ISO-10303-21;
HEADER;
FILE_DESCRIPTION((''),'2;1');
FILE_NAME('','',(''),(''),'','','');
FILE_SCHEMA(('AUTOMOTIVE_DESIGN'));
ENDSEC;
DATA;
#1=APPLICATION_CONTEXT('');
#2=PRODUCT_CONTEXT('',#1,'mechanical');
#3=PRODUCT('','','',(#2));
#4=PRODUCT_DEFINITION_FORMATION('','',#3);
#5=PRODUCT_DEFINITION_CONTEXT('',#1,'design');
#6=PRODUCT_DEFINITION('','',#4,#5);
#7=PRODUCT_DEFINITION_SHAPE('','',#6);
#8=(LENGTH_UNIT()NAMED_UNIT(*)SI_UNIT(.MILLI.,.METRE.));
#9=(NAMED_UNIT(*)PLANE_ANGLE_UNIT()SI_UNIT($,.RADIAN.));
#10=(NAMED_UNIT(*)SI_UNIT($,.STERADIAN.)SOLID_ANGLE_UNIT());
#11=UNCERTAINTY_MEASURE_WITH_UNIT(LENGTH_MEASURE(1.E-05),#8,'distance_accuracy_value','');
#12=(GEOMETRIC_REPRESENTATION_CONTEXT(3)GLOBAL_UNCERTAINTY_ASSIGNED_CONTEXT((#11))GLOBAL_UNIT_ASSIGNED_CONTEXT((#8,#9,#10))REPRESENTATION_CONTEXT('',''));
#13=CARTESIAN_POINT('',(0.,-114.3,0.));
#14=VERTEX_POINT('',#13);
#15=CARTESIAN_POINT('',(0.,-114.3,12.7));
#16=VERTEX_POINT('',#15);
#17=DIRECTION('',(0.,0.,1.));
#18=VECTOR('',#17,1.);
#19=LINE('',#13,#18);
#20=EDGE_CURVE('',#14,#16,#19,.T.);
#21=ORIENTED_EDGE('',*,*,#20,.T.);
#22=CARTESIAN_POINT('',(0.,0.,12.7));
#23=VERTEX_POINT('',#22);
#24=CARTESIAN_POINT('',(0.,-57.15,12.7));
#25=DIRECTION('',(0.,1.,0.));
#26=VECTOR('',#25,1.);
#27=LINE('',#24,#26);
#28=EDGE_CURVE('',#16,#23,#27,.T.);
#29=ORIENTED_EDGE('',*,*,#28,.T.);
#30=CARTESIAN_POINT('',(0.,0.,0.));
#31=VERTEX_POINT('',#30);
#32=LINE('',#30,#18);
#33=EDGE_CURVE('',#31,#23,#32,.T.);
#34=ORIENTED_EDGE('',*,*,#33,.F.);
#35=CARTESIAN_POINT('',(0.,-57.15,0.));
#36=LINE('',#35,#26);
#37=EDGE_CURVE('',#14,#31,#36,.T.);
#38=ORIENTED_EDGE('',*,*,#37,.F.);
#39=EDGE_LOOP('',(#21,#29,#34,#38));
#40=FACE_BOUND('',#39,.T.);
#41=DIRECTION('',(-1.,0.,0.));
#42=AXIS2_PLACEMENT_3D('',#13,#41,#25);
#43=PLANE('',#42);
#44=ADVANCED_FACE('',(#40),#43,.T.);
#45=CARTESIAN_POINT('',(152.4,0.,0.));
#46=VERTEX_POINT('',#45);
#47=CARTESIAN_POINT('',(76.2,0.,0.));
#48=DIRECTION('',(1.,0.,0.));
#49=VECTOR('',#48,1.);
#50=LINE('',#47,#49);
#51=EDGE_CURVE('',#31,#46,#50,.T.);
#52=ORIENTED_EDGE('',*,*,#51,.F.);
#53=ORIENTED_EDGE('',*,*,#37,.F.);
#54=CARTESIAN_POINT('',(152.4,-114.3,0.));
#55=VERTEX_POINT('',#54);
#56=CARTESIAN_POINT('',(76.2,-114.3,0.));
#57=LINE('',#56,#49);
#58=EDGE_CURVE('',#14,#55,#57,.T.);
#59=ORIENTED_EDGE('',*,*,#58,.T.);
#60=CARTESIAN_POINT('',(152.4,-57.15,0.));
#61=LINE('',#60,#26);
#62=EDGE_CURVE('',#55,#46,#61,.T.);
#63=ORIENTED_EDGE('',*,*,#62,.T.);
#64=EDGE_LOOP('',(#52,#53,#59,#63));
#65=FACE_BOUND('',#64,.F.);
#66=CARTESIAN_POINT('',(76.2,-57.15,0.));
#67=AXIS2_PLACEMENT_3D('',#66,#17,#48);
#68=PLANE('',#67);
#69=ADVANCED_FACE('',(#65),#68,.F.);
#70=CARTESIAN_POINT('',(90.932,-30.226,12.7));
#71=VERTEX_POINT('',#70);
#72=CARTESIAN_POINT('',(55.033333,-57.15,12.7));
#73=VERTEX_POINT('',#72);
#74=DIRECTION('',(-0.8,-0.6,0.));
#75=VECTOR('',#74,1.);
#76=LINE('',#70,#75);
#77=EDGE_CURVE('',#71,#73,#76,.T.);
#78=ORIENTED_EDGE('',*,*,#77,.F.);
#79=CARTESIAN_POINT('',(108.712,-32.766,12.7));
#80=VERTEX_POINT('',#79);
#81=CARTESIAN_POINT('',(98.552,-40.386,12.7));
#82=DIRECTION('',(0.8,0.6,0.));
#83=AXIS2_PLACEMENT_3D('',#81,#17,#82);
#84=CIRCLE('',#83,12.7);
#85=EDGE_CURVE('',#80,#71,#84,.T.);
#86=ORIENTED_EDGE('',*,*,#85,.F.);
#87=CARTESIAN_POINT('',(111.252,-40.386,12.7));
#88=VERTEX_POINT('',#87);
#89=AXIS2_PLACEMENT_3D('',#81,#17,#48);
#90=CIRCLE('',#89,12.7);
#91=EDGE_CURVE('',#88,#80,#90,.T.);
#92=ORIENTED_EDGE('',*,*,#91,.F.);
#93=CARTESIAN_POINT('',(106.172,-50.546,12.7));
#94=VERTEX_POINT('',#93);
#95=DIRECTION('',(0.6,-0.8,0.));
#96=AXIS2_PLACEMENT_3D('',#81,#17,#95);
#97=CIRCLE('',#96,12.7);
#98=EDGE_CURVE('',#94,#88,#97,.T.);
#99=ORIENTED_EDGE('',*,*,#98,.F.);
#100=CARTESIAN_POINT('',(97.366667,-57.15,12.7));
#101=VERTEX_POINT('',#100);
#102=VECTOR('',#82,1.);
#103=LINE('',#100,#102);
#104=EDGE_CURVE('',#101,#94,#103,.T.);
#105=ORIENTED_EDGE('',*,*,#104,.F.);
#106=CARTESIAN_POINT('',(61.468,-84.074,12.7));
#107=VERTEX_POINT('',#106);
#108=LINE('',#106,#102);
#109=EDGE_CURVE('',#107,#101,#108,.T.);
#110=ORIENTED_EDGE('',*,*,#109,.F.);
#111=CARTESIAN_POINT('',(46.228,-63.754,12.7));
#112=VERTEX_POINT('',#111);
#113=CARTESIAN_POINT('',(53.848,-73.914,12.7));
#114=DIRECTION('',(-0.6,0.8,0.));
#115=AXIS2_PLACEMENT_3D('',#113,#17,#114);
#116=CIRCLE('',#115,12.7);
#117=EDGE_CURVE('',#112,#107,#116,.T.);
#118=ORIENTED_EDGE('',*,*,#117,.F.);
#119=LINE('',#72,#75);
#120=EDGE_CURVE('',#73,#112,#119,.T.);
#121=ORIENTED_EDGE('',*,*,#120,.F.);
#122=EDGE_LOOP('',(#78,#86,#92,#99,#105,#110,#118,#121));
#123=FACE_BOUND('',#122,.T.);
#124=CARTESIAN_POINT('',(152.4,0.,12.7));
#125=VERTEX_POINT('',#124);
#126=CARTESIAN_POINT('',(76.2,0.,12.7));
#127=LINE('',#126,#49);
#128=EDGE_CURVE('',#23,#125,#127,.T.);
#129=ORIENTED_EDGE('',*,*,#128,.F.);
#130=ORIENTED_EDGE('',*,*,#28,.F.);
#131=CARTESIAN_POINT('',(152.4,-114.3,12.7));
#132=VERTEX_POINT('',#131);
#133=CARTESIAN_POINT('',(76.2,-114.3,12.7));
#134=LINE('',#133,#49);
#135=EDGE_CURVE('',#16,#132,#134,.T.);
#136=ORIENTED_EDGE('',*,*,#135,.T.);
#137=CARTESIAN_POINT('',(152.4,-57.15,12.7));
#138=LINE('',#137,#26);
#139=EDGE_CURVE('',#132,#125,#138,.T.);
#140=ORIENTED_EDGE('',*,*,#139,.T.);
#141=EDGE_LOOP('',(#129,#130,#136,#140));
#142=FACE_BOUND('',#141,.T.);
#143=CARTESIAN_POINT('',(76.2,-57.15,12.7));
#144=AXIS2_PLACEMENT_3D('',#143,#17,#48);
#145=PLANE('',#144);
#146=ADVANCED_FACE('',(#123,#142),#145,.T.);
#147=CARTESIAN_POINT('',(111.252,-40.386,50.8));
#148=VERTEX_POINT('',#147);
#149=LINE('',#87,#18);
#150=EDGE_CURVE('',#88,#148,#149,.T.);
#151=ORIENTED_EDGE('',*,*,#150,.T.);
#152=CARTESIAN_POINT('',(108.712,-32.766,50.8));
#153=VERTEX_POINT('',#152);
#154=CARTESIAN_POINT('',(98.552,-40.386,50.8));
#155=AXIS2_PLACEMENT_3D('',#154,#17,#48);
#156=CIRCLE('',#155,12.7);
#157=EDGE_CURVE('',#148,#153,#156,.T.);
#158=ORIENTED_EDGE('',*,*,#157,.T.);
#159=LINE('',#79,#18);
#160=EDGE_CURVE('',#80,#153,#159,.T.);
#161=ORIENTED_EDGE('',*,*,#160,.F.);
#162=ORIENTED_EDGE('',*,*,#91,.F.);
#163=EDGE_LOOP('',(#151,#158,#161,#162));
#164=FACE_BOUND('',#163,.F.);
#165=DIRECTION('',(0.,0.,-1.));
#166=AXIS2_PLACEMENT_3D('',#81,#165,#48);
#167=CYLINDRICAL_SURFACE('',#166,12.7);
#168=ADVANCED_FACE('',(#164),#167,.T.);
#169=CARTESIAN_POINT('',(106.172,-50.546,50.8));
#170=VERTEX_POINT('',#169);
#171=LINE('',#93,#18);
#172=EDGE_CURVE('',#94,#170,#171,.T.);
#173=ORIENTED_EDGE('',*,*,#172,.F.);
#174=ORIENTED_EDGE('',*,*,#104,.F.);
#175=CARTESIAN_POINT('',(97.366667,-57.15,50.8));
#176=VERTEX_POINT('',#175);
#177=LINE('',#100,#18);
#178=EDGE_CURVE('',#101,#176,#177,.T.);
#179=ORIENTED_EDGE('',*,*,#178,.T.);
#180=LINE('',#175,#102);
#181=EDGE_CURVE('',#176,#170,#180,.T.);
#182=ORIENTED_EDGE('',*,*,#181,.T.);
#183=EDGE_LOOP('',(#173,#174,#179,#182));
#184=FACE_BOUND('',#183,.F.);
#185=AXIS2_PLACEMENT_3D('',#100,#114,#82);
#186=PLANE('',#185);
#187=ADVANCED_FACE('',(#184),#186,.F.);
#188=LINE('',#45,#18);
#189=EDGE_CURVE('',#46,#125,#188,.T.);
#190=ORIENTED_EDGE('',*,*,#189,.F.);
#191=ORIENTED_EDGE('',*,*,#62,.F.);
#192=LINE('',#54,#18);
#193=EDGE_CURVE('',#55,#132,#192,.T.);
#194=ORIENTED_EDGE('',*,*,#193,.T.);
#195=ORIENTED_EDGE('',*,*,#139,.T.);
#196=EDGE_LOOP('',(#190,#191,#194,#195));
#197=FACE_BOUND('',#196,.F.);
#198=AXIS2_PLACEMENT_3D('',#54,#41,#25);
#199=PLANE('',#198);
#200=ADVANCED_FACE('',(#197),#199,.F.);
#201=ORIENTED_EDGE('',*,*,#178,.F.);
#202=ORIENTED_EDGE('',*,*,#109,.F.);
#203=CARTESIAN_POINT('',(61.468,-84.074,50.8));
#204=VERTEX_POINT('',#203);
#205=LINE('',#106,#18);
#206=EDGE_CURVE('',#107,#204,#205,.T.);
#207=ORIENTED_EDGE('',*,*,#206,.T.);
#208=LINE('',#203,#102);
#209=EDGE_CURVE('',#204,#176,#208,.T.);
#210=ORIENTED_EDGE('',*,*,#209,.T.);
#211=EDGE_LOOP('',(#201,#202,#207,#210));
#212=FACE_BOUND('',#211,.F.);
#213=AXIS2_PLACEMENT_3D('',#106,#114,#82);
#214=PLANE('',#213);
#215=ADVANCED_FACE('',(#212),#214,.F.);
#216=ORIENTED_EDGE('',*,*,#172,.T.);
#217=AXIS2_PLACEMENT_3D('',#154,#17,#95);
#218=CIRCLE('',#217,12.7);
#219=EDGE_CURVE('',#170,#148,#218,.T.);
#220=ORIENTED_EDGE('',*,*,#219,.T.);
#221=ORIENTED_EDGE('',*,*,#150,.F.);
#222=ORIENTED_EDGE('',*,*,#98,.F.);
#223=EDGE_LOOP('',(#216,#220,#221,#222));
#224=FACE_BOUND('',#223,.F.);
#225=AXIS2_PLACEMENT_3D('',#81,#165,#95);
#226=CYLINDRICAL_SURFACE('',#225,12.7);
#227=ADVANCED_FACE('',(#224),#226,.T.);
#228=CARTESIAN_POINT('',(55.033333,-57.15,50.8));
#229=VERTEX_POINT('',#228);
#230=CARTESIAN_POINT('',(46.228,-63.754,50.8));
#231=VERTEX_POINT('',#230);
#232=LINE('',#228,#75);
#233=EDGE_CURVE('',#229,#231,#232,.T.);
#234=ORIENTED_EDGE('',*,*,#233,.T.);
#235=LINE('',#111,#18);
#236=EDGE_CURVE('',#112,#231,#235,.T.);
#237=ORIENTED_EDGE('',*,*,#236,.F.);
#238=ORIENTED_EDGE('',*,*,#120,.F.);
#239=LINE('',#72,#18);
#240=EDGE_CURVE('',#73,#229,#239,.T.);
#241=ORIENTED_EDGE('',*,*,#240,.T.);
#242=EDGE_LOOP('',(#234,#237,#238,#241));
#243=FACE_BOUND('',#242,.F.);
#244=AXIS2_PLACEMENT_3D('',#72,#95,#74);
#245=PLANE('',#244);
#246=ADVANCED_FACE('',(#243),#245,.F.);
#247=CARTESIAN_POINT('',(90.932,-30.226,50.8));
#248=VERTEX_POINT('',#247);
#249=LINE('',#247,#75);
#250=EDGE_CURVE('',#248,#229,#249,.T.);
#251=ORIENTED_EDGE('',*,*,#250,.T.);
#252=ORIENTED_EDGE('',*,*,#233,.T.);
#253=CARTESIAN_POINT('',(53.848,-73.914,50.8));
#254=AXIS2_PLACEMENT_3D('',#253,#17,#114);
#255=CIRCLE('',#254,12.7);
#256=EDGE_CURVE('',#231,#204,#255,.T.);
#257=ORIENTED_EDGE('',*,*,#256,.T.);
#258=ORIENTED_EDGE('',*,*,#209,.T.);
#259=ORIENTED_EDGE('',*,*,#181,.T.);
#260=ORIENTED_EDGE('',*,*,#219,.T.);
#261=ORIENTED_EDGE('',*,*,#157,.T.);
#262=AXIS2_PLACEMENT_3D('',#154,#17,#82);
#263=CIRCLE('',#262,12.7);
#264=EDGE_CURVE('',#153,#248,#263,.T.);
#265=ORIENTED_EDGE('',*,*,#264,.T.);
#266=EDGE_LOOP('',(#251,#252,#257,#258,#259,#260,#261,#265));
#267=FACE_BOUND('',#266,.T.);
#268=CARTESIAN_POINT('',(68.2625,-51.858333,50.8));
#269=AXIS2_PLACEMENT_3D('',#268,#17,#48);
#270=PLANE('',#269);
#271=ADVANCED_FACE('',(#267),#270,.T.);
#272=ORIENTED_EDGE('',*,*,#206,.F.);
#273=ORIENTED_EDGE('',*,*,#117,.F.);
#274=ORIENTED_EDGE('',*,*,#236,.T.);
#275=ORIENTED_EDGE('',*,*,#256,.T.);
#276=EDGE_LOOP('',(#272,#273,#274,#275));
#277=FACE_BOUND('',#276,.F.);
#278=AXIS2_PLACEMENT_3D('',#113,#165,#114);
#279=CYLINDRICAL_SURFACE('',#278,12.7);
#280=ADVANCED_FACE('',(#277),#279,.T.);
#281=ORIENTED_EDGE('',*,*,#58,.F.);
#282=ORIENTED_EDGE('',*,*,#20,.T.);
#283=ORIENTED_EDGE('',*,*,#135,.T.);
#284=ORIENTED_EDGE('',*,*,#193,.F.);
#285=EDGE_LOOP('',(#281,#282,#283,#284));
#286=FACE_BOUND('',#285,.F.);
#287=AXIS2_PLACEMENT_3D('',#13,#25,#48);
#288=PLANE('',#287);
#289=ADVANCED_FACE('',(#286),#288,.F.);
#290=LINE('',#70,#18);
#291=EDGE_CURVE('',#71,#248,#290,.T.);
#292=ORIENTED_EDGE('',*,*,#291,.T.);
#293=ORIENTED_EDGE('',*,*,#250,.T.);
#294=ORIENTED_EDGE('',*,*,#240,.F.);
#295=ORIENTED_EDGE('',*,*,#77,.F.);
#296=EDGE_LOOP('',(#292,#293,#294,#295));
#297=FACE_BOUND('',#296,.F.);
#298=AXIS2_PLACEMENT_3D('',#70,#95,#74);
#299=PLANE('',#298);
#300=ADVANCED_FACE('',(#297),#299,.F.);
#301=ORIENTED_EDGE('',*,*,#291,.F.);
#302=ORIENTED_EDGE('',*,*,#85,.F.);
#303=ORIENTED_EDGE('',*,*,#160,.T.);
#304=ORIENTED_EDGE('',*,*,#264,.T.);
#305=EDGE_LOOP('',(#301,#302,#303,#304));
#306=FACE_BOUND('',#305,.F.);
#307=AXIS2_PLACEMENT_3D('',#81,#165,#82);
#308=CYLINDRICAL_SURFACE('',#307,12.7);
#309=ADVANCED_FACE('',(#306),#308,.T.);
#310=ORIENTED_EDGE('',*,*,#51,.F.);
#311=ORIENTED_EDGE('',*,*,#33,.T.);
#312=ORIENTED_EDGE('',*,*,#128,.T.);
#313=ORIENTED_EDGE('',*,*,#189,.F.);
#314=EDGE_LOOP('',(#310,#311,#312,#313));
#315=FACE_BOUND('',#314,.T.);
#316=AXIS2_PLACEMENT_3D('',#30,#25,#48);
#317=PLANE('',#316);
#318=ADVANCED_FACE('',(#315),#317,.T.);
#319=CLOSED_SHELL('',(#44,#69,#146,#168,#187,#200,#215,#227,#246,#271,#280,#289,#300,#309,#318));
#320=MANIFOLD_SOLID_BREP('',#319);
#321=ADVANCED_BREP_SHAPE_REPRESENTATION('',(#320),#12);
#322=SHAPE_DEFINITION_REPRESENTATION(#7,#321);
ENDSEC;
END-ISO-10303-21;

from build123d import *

# Parameters (mm, degrees)
F0_W     = 152.4
F0_H     = 114.3
F1_DEPTH = 12.7
F3_DEPTH = 38.1


with BuildPart() as f1:
    # F0 (on Top) → F1 (new body)
    with BuildSketch(Plane.XY):
        with Locations((76.2, -57.15)):
            Rectangle(F0_W, F0_H)
    extrude(amount=F1_DEPTH)

    # F2 (on face) → F3 (join)
    with BuildSketch(Plane.XY.offset(12.7)):
        Polygon((76.2, -41.275), (55.0333333333, -57.15), (76.2, -57.15), align=None)
        with BuildLine():
            Line((76.2, -57.15), (55.0333333333, -57.15))
            Line((55.0333333333, -57.15), (46.228, -63.754))
            ThreePointArc((46.228, -63.754), (55.6440512242, -61.3416414305), (64.008, -66.294))
            Line((64.008, -66.294), (76.2, -57.15))
        make_face()
        with BuildLine():
            Line((88.392, -48.006), (76.2, -57.15))
            Line((76.2, -57.15), (97.3666666667, -57.15))
            Line((97.3666666667, -57.15), (106.172, -50.546))
            ThreePointArc((106.172, -50.546), (96.7559487758, -52.9583585695), (88.392, -48.006))
        make_face()
        Polygon((97.3666666667, -57.15), (76.2, -57.15), (76.2, -73.025), align=None)
        with BuildLine():
            Line((76.2, -41.275), (76.2, -57.15))
            Line((76.2, -57.15), (88.392, -48.006))
            ThreePointArc((88.392, -48.006), (85.9796414305, -38.5899487758), (90.932, -30.226))
            Line((90.932, -30.226), (76.2, -41.275))
        make_face()
        with BuildLine():
            Line((76.2, -73.025), (76.2, -57.15))
            Line((76.2, -57.15), (64.008, -66.294))
            ThreePointArc((64.008, -66.294), (65.8962778852, -69.8979073716), (66.548, -73.914))
            ThreePointArc((66.548, -73.914), (65.2072253257, -79.5936126628), (61.468, -84.074))
            Line((61.468, -84.074), (76.2, -73.025))
        make_face()
        with BuildLine():
            ThreePointArc((64.008, -66.294), (55.6440512242, -61.3416414305), (46.228, -63.754))
            Line((46.228, -63.754), (53.848, -73.914))
            Line((53.848, -73.914), (64.008, -66.294))
        make_face()
        with BuildLine():
            Line((53.848, -73.914), (46.228, -63.754))
            ThreePointArc((46.228, -63.754), (41.2756414305, -72.1179487758), (43.688, -81.534))
            Line((43.688, -81.534), (53.848, -73.914))
        make_face()
        with BuildLine():
            ThreePointArc((90.932, -30.226), (85.9796414305, -38.5899487758), (88.392, -48.006))
            Line((88.392, -48.006), (98.552, -40.386))
            Line((98.552, -40.386), (90.932, -30.226))
        make_face()
        with BuildLine():
            Line((98.552, -40.386), (88.392, -48.006))
            ThreePointArc((88.392, -48.006), (96.7559487758, -52.9583585695), (106.172, -50.546))
            Line((106.172, -50.546), (98.552, -40.386))
        make_face()
        with BuildLine():
            ThreePointArc((66.548, -73.914), (65.8962778852, -69.8979073716), (64.008, -66.294))
            Line((64.008, -66.294), (53.848, -73.914))
            Line((53.848, -73.914), (61.468, -84.074))
            ThreePointArc((61.468, -84.074), (65.2072253257, -79.5936126628), (66.548, -73.914))
        make_face()
        with BuildLine():
            ThreePointArc((108.712, -32.766), (100.3480512242, -27.8136414305), (90.932, -30.226))
            Line((90.932, -30.226), (98.552, -40.386))
            Line((98.552, -40.386), (108.712, -32.766))
        make_face()
        with BuildLine():
            Line((61.468, -84.074), (53.848, -73.914))
            Line((53.848, -73.914), (43.688, -81.534))
            ThreePointArc((43.688, -81.534), (52.0519487758, -86.4863585695), (61.468, -84.074))
        make_face()
        with BuildLine():
            Line((98.552, -40.386), (106.172, -50.546))
            ThreePointArc((106.172, -50.546), (109.9112253257, -46.0656126628), (111.252, -40.386))
            ThreePointArc((111.252, -40.386), (110.6002778852, -36.3699073716), (108.712, -32.766))
            Line((108.712, -32.766), (98.552, -40.386))
        make_face()
    extrude(amount=F3_DEPTH)


solid = f1.part
